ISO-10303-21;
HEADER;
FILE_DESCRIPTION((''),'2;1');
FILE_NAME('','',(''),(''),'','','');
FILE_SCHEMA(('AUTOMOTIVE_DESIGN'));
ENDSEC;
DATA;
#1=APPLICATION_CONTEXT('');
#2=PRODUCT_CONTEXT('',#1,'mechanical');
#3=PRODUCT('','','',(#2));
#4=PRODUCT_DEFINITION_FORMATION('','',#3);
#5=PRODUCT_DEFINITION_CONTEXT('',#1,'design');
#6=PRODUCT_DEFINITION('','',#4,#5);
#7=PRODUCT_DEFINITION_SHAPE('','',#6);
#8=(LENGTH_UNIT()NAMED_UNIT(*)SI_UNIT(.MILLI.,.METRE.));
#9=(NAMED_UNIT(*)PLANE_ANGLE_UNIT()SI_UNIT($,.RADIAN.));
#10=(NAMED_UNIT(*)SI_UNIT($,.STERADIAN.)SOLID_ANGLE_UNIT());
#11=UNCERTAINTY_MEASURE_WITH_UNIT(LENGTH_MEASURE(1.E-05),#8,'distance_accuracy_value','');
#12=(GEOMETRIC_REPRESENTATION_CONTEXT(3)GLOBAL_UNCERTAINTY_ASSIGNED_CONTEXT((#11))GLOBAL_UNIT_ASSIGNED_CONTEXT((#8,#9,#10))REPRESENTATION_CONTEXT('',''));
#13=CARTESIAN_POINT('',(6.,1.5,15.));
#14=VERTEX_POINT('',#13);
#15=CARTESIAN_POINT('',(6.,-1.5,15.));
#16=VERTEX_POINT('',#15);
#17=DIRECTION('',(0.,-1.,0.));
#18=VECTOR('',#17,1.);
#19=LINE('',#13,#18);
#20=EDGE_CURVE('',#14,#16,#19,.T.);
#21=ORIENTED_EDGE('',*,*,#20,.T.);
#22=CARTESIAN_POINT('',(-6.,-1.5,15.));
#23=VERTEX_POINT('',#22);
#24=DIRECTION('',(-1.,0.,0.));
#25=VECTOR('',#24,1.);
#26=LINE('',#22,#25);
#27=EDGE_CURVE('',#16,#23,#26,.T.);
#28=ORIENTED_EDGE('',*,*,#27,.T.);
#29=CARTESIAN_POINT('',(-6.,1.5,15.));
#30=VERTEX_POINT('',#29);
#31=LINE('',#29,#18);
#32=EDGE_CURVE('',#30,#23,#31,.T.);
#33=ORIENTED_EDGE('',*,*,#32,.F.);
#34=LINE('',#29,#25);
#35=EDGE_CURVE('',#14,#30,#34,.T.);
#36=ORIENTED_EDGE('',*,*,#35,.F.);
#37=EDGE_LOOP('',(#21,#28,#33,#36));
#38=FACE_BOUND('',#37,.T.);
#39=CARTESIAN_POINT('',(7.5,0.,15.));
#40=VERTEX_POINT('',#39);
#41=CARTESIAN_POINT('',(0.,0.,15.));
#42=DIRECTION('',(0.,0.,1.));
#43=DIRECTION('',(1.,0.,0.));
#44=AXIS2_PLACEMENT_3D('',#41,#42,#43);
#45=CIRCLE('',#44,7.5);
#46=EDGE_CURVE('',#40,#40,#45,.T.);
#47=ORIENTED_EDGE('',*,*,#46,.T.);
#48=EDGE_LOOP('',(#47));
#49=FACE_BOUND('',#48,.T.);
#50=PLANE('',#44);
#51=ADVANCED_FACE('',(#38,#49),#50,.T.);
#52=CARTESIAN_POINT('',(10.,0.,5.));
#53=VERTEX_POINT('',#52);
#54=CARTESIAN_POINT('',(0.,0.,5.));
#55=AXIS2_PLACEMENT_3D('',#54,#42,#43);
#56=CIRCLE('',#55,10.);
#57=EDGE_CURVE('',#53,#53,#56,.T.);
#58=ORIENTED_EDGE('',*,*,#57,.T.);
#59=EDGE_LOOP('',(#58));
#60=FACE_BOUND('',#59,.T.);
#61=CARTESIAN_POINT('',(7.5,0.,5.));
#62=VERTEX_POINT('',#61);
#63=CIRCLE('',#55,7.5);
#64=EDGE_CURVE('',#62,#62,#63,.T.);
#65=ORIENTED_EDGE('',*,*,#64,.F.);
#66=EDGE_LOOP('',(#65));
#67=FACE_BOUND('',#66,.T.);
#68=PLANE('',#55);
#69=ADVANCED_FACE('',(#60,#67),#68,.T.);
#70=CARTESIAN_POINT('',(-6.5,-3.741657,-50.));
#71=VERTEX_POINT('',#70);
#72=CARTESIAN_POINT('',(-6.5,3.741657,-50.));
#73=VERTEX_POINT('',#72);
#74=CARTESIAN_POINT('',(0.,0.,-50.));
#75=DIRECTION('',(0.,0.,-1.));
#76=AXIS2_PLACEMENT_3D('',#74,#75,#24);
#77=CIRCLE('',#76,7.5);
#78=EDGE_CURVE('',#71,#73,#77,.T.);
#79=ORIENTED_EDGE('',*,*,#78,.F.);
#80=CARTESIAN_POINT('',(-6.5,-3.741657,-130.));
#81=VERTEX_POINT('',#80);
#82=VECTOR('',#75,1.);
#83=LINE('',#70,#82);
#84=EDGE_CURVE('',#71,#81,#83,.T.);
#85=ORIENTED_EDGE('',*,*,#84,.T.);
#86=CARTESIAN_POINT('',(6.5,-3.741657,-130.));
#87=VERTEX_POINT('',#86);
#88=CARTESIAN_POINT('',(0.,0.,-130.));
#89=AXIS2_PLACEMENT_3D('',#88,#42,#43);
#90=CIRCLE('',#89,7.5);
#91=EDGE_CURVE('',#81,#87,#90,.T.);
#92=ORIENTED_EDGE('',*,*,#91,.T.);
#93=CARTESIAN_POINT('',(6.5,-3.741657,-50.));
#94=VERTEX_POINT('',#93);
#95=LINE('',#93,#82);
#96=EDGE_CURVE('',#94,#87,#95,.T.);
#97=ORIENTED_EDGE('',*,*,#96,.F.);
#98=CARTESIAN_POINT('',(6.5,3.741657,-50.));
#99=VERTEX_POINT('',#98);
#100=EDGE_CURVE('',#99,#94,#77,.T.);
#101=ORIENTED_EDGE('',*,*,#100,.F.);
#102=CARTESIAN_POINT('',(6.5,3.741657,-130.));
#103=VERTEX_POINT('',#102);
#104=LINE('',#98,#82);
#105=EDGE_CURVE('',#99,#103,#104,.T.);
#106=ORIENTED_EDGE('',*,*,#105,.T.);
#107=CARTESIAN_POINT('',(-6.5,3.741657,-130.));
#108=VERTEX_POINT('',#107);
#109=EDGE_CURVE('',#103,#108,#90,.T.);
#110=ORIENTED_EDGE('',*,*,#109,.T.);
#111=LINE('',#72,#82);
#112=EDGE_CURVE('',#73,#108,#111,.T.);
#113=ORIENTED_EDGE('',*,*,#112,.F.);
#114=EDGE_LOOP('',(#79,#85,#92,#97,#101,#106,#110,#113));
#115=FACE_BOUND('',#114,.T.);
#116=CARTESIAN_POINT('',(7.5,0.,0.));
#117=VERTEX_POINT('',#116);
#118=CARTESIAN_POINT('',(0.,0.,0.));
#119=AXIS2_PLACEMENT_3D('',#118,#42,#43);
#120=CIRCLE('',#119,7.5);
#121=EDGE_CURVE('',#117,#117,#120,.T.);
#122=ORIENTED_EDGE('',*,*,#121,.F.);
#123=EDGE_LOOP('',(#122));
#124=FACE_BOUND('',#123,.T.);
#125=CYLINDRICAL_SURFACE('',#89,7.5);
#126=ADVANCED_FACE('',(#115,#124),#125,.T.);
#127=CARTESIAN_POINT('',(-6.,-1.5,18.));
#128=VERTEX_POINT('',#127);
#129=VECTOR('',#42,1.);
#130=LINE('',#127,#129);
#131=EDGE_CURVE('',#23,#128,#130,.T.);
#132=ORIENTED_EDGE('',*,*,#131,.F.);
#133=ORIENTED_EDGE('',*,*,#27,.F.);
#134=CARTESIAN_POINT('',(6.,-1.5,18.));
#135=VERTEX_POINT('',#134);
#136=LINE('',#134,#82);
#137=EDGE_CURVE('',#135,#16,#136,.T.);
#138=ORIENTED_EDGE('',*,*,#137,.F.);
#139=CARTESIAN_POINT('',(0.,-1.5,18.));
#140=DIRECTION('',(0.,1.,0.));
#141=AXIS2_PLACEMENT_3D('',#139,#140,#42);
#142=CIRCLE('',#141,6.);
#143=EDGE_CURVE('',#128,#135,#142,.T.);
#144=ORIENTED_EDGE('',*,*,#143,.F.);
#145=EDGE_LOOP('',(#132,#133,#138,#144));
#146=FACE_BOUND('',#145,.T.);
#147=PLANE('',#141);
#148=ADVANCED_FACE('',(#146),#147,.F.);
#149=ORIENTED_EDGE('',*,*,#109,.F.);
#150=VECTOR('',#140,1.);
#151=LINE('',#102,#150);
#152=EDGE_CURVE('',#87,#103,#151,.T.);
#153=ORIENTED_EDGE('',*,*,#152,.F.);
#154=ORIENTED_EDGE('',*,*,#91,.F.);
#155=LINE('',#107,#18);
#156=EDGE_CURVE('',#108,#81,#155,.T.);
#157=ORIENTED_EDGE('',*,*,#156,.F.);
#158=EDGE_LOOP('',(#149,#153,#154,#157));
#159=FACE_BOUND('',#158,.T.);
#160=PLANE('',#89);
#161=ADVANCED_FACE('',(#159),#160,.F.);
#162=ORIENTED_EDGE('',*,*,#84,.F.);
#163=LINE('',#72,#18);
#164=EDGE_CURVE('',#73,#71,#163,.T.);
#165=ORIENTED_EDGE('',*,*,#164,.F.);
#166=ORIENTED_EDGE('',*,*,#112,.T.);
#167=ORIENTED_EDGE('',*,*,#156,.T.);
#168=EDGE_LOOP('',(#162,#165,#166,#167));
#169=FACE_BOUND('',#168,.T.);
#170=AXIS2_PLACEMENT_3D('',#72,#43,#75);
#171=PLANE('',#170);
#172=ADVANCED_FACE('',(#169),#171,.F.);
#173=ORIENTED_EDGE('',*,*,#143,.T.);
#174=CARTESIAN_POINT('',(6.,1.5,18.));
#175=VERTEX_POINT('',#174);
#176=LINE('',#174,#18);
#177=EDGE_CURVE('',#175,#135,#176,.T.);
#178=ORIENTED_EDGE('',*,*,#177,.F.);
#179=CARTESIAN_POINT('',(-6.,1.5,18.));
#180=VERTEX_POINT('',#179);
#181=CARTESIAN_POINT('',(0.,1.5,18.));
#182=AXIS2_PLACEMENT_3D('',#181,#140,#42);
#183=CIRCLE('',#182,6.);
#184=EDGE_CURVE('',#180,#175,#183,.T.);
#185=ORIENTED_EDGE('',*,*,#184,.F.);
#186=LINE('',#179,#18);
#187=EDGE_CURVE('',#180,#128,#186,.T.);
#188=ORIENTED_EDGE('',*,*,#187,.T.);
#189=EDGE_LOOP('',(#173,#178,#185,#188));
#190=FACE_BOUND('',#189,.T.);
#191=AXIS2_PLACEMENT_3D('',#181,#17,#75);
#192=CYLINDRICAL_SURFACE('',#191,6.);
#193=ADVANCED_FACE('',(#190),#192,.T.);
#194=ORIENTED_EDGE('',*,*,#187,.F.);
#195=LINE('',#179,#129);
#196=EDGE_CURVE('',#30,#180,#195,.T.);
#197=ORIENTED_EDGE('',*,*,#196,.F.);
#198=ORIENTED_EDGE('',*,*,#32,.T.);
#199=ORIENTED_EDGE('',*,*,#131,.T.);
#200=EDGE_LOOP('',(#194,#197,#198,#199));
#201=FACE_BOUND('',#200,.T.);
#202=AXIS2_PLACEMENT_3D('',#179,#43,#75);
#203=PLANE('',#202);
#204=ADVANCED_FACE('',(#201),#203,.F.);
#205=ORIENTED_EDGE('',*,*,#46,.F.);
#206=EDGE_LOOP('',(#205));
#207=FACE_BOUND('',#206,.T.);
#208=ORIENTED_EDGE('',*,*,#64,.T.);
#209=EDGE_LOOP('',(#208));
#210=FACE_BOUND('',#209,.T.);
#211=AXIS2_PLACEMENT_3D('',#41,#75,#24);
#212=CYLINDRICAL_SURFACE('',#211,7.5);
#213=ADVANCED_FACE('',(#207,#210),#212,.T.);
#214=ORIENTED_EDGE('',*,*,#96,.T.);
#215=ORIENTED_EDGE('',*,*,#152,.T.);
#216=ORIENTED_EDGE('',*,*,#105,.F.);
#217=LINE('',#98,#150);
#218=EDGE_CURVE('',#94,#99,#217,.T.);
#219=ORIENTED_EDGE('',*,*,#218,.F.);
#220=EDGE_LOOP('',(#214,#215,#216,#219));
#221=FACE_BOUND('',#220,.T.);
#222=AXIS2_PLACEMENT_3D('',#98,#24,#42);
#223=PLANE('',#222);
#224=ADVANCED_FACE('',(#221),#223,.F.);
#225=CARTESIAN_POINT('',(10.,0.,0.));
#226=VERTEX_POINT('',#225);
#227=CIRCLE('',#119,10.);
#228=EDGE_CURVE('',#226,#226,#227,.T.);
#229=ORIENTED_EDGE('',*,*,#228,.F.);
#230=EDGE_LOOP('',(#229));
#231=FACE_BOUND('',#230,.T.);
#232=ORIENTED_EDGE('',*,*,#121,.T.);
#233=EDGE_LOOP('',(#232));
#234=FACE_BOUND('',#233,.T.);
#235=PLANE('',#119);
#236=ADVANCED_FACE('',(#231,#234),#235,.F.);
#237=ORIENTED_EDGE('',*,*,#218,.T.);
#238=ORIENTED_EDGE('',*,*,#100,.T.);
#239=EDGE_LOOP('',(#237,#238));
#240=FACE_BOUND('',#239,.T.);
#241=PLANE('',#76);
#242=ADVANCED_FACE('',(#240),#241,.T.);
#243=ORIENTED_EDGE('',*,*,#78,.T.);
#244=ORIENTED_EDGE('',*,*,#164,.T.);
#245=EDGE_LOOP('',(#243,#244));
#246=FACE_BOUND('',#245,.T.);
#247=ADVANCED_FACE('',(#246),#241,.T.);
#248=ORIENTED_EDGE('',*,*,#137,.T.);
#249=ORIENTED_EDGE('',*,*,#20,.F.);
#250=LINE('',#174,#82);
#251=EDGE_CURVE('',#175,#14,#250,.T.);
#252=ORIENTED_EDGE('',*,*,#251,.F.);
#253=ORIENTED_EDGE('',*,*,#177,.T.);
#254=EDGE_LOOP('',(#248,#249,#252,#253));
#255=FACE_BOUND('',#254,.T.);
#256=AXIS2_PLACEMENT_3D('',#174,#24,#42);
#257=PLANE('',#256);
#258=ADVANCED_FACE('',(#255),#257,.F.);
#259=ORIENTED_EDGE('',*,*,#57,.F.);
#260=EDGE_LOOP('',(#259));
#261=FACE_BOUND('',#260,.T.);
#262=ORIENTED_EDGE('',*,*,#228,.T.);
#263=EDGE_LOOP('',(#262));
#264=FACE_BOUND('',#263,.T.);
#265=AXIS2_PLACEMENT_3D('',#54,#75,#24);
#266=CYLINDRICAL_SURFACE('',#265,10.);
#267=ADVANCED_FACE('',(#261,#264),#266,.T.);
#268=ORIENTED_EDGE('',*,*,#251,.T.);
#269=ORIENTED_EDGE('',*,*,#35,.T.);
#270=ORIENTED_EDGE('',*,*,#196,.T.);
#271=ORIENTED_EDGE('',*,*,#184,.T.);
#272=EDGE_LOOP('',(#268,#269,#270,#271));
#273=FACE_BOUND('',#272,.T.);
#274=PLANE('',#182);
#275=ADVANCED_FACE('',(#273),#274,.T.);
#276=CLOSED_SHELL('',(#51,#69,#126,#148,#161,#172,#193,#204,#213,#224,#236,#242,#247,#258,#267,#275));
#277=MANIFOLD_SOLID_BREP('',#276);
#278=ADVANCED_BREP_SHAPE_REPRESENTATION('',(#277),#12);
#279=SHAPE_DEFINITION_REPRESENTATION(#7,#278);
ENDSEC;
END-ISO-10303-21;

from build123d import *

# Parameters (mm, degrees)
SKETCH1_R           = 7.5
BOSS_EXTRUDE1_DEPTH = 130
SKETCH2_R           = 10
BOSS_EXTRUDE2_DEPTH = 5
BOSS_EXTRUDE3_START = 10
SKETCH3_R           = 7.5
BOSS_EXTRUDE3_DEPTH = 10
CUT_EXTRUDE1_START  = -80
CUT_EXTRUDE1_DEPTH  = 80
BOSS_EXTRUDE4_DEPTH = 1.5


with BuildPart() as part:
    # Sketch1 → Boss-Extrude1 (new body)
    with BuildSketch(Plane.XY):
        Circle(SKETCH1_R)
    extrude(amount=-BOSS_EXTRUDE1_DEPTH)

    # Sketch2 → Boss-Extrude2 (add)
    with BuildSketch(Plane.XY):
        Circle(SKETCH2_R)
    extrude(amount=BOSS_EXTRUDE2_DEPTH)

    # Sketch3 → Boss-Extrude3 (add)
    with BuildSketch(Plane.XY.offset(5).offset(BOSS_EXTRUDE3_START)):
        Circle(SKETCH3_R)
    extrude(amount=-BOSS_EXTRUDE3_DEPTH)

    # Sketch4 → Cut-Extrude1 (cut)
    with BuildSketch(Plane(origin=(0, 0, -130), x_dir=(-1, 0, 0), z_dir=(0, 0, -1)).offset(CUT_EXTRUDE1_START)):
        with BuildLine():
            Line((-6.5, 3.741657387), (-6.5, -3.741657387))
            ThreePointArc((-6.5, -3.741657387), (-7.5, 0), (-6.5, 3.741657387))
        make_face()
        with BuildLine():
            Line((6.5, 3.741657387), (6.5, -3.741657387))
            ThreePointArc((6.5, -3.741657387), (7.5, 0), (6.5, 3.741657387))
        make_face()
    extrude(amount=CUT_EXTRUDE1_DEPTH, mode=Mode.SUBTRACT)

    # Sketch6 → Boss-Extrude4 (add, symmetric)
    with BuildSketch(Plane(origin=(0, 0, 0), x_dir=(1, 0, 0), z_dir=(0, 1, 0))):
        with BuildLine():
            Line((-6, -18), (-6, -15))
            Line((-6, -15), (6, -15))
            Line((6, -15), (6, -18))
            ThreePointArc((6, -18), (0, -24), (-6, -18))
        make_face()
    extrude(amount=BOSS_EXTRUDE4_DEPTH, both=True)


solid = part.part
